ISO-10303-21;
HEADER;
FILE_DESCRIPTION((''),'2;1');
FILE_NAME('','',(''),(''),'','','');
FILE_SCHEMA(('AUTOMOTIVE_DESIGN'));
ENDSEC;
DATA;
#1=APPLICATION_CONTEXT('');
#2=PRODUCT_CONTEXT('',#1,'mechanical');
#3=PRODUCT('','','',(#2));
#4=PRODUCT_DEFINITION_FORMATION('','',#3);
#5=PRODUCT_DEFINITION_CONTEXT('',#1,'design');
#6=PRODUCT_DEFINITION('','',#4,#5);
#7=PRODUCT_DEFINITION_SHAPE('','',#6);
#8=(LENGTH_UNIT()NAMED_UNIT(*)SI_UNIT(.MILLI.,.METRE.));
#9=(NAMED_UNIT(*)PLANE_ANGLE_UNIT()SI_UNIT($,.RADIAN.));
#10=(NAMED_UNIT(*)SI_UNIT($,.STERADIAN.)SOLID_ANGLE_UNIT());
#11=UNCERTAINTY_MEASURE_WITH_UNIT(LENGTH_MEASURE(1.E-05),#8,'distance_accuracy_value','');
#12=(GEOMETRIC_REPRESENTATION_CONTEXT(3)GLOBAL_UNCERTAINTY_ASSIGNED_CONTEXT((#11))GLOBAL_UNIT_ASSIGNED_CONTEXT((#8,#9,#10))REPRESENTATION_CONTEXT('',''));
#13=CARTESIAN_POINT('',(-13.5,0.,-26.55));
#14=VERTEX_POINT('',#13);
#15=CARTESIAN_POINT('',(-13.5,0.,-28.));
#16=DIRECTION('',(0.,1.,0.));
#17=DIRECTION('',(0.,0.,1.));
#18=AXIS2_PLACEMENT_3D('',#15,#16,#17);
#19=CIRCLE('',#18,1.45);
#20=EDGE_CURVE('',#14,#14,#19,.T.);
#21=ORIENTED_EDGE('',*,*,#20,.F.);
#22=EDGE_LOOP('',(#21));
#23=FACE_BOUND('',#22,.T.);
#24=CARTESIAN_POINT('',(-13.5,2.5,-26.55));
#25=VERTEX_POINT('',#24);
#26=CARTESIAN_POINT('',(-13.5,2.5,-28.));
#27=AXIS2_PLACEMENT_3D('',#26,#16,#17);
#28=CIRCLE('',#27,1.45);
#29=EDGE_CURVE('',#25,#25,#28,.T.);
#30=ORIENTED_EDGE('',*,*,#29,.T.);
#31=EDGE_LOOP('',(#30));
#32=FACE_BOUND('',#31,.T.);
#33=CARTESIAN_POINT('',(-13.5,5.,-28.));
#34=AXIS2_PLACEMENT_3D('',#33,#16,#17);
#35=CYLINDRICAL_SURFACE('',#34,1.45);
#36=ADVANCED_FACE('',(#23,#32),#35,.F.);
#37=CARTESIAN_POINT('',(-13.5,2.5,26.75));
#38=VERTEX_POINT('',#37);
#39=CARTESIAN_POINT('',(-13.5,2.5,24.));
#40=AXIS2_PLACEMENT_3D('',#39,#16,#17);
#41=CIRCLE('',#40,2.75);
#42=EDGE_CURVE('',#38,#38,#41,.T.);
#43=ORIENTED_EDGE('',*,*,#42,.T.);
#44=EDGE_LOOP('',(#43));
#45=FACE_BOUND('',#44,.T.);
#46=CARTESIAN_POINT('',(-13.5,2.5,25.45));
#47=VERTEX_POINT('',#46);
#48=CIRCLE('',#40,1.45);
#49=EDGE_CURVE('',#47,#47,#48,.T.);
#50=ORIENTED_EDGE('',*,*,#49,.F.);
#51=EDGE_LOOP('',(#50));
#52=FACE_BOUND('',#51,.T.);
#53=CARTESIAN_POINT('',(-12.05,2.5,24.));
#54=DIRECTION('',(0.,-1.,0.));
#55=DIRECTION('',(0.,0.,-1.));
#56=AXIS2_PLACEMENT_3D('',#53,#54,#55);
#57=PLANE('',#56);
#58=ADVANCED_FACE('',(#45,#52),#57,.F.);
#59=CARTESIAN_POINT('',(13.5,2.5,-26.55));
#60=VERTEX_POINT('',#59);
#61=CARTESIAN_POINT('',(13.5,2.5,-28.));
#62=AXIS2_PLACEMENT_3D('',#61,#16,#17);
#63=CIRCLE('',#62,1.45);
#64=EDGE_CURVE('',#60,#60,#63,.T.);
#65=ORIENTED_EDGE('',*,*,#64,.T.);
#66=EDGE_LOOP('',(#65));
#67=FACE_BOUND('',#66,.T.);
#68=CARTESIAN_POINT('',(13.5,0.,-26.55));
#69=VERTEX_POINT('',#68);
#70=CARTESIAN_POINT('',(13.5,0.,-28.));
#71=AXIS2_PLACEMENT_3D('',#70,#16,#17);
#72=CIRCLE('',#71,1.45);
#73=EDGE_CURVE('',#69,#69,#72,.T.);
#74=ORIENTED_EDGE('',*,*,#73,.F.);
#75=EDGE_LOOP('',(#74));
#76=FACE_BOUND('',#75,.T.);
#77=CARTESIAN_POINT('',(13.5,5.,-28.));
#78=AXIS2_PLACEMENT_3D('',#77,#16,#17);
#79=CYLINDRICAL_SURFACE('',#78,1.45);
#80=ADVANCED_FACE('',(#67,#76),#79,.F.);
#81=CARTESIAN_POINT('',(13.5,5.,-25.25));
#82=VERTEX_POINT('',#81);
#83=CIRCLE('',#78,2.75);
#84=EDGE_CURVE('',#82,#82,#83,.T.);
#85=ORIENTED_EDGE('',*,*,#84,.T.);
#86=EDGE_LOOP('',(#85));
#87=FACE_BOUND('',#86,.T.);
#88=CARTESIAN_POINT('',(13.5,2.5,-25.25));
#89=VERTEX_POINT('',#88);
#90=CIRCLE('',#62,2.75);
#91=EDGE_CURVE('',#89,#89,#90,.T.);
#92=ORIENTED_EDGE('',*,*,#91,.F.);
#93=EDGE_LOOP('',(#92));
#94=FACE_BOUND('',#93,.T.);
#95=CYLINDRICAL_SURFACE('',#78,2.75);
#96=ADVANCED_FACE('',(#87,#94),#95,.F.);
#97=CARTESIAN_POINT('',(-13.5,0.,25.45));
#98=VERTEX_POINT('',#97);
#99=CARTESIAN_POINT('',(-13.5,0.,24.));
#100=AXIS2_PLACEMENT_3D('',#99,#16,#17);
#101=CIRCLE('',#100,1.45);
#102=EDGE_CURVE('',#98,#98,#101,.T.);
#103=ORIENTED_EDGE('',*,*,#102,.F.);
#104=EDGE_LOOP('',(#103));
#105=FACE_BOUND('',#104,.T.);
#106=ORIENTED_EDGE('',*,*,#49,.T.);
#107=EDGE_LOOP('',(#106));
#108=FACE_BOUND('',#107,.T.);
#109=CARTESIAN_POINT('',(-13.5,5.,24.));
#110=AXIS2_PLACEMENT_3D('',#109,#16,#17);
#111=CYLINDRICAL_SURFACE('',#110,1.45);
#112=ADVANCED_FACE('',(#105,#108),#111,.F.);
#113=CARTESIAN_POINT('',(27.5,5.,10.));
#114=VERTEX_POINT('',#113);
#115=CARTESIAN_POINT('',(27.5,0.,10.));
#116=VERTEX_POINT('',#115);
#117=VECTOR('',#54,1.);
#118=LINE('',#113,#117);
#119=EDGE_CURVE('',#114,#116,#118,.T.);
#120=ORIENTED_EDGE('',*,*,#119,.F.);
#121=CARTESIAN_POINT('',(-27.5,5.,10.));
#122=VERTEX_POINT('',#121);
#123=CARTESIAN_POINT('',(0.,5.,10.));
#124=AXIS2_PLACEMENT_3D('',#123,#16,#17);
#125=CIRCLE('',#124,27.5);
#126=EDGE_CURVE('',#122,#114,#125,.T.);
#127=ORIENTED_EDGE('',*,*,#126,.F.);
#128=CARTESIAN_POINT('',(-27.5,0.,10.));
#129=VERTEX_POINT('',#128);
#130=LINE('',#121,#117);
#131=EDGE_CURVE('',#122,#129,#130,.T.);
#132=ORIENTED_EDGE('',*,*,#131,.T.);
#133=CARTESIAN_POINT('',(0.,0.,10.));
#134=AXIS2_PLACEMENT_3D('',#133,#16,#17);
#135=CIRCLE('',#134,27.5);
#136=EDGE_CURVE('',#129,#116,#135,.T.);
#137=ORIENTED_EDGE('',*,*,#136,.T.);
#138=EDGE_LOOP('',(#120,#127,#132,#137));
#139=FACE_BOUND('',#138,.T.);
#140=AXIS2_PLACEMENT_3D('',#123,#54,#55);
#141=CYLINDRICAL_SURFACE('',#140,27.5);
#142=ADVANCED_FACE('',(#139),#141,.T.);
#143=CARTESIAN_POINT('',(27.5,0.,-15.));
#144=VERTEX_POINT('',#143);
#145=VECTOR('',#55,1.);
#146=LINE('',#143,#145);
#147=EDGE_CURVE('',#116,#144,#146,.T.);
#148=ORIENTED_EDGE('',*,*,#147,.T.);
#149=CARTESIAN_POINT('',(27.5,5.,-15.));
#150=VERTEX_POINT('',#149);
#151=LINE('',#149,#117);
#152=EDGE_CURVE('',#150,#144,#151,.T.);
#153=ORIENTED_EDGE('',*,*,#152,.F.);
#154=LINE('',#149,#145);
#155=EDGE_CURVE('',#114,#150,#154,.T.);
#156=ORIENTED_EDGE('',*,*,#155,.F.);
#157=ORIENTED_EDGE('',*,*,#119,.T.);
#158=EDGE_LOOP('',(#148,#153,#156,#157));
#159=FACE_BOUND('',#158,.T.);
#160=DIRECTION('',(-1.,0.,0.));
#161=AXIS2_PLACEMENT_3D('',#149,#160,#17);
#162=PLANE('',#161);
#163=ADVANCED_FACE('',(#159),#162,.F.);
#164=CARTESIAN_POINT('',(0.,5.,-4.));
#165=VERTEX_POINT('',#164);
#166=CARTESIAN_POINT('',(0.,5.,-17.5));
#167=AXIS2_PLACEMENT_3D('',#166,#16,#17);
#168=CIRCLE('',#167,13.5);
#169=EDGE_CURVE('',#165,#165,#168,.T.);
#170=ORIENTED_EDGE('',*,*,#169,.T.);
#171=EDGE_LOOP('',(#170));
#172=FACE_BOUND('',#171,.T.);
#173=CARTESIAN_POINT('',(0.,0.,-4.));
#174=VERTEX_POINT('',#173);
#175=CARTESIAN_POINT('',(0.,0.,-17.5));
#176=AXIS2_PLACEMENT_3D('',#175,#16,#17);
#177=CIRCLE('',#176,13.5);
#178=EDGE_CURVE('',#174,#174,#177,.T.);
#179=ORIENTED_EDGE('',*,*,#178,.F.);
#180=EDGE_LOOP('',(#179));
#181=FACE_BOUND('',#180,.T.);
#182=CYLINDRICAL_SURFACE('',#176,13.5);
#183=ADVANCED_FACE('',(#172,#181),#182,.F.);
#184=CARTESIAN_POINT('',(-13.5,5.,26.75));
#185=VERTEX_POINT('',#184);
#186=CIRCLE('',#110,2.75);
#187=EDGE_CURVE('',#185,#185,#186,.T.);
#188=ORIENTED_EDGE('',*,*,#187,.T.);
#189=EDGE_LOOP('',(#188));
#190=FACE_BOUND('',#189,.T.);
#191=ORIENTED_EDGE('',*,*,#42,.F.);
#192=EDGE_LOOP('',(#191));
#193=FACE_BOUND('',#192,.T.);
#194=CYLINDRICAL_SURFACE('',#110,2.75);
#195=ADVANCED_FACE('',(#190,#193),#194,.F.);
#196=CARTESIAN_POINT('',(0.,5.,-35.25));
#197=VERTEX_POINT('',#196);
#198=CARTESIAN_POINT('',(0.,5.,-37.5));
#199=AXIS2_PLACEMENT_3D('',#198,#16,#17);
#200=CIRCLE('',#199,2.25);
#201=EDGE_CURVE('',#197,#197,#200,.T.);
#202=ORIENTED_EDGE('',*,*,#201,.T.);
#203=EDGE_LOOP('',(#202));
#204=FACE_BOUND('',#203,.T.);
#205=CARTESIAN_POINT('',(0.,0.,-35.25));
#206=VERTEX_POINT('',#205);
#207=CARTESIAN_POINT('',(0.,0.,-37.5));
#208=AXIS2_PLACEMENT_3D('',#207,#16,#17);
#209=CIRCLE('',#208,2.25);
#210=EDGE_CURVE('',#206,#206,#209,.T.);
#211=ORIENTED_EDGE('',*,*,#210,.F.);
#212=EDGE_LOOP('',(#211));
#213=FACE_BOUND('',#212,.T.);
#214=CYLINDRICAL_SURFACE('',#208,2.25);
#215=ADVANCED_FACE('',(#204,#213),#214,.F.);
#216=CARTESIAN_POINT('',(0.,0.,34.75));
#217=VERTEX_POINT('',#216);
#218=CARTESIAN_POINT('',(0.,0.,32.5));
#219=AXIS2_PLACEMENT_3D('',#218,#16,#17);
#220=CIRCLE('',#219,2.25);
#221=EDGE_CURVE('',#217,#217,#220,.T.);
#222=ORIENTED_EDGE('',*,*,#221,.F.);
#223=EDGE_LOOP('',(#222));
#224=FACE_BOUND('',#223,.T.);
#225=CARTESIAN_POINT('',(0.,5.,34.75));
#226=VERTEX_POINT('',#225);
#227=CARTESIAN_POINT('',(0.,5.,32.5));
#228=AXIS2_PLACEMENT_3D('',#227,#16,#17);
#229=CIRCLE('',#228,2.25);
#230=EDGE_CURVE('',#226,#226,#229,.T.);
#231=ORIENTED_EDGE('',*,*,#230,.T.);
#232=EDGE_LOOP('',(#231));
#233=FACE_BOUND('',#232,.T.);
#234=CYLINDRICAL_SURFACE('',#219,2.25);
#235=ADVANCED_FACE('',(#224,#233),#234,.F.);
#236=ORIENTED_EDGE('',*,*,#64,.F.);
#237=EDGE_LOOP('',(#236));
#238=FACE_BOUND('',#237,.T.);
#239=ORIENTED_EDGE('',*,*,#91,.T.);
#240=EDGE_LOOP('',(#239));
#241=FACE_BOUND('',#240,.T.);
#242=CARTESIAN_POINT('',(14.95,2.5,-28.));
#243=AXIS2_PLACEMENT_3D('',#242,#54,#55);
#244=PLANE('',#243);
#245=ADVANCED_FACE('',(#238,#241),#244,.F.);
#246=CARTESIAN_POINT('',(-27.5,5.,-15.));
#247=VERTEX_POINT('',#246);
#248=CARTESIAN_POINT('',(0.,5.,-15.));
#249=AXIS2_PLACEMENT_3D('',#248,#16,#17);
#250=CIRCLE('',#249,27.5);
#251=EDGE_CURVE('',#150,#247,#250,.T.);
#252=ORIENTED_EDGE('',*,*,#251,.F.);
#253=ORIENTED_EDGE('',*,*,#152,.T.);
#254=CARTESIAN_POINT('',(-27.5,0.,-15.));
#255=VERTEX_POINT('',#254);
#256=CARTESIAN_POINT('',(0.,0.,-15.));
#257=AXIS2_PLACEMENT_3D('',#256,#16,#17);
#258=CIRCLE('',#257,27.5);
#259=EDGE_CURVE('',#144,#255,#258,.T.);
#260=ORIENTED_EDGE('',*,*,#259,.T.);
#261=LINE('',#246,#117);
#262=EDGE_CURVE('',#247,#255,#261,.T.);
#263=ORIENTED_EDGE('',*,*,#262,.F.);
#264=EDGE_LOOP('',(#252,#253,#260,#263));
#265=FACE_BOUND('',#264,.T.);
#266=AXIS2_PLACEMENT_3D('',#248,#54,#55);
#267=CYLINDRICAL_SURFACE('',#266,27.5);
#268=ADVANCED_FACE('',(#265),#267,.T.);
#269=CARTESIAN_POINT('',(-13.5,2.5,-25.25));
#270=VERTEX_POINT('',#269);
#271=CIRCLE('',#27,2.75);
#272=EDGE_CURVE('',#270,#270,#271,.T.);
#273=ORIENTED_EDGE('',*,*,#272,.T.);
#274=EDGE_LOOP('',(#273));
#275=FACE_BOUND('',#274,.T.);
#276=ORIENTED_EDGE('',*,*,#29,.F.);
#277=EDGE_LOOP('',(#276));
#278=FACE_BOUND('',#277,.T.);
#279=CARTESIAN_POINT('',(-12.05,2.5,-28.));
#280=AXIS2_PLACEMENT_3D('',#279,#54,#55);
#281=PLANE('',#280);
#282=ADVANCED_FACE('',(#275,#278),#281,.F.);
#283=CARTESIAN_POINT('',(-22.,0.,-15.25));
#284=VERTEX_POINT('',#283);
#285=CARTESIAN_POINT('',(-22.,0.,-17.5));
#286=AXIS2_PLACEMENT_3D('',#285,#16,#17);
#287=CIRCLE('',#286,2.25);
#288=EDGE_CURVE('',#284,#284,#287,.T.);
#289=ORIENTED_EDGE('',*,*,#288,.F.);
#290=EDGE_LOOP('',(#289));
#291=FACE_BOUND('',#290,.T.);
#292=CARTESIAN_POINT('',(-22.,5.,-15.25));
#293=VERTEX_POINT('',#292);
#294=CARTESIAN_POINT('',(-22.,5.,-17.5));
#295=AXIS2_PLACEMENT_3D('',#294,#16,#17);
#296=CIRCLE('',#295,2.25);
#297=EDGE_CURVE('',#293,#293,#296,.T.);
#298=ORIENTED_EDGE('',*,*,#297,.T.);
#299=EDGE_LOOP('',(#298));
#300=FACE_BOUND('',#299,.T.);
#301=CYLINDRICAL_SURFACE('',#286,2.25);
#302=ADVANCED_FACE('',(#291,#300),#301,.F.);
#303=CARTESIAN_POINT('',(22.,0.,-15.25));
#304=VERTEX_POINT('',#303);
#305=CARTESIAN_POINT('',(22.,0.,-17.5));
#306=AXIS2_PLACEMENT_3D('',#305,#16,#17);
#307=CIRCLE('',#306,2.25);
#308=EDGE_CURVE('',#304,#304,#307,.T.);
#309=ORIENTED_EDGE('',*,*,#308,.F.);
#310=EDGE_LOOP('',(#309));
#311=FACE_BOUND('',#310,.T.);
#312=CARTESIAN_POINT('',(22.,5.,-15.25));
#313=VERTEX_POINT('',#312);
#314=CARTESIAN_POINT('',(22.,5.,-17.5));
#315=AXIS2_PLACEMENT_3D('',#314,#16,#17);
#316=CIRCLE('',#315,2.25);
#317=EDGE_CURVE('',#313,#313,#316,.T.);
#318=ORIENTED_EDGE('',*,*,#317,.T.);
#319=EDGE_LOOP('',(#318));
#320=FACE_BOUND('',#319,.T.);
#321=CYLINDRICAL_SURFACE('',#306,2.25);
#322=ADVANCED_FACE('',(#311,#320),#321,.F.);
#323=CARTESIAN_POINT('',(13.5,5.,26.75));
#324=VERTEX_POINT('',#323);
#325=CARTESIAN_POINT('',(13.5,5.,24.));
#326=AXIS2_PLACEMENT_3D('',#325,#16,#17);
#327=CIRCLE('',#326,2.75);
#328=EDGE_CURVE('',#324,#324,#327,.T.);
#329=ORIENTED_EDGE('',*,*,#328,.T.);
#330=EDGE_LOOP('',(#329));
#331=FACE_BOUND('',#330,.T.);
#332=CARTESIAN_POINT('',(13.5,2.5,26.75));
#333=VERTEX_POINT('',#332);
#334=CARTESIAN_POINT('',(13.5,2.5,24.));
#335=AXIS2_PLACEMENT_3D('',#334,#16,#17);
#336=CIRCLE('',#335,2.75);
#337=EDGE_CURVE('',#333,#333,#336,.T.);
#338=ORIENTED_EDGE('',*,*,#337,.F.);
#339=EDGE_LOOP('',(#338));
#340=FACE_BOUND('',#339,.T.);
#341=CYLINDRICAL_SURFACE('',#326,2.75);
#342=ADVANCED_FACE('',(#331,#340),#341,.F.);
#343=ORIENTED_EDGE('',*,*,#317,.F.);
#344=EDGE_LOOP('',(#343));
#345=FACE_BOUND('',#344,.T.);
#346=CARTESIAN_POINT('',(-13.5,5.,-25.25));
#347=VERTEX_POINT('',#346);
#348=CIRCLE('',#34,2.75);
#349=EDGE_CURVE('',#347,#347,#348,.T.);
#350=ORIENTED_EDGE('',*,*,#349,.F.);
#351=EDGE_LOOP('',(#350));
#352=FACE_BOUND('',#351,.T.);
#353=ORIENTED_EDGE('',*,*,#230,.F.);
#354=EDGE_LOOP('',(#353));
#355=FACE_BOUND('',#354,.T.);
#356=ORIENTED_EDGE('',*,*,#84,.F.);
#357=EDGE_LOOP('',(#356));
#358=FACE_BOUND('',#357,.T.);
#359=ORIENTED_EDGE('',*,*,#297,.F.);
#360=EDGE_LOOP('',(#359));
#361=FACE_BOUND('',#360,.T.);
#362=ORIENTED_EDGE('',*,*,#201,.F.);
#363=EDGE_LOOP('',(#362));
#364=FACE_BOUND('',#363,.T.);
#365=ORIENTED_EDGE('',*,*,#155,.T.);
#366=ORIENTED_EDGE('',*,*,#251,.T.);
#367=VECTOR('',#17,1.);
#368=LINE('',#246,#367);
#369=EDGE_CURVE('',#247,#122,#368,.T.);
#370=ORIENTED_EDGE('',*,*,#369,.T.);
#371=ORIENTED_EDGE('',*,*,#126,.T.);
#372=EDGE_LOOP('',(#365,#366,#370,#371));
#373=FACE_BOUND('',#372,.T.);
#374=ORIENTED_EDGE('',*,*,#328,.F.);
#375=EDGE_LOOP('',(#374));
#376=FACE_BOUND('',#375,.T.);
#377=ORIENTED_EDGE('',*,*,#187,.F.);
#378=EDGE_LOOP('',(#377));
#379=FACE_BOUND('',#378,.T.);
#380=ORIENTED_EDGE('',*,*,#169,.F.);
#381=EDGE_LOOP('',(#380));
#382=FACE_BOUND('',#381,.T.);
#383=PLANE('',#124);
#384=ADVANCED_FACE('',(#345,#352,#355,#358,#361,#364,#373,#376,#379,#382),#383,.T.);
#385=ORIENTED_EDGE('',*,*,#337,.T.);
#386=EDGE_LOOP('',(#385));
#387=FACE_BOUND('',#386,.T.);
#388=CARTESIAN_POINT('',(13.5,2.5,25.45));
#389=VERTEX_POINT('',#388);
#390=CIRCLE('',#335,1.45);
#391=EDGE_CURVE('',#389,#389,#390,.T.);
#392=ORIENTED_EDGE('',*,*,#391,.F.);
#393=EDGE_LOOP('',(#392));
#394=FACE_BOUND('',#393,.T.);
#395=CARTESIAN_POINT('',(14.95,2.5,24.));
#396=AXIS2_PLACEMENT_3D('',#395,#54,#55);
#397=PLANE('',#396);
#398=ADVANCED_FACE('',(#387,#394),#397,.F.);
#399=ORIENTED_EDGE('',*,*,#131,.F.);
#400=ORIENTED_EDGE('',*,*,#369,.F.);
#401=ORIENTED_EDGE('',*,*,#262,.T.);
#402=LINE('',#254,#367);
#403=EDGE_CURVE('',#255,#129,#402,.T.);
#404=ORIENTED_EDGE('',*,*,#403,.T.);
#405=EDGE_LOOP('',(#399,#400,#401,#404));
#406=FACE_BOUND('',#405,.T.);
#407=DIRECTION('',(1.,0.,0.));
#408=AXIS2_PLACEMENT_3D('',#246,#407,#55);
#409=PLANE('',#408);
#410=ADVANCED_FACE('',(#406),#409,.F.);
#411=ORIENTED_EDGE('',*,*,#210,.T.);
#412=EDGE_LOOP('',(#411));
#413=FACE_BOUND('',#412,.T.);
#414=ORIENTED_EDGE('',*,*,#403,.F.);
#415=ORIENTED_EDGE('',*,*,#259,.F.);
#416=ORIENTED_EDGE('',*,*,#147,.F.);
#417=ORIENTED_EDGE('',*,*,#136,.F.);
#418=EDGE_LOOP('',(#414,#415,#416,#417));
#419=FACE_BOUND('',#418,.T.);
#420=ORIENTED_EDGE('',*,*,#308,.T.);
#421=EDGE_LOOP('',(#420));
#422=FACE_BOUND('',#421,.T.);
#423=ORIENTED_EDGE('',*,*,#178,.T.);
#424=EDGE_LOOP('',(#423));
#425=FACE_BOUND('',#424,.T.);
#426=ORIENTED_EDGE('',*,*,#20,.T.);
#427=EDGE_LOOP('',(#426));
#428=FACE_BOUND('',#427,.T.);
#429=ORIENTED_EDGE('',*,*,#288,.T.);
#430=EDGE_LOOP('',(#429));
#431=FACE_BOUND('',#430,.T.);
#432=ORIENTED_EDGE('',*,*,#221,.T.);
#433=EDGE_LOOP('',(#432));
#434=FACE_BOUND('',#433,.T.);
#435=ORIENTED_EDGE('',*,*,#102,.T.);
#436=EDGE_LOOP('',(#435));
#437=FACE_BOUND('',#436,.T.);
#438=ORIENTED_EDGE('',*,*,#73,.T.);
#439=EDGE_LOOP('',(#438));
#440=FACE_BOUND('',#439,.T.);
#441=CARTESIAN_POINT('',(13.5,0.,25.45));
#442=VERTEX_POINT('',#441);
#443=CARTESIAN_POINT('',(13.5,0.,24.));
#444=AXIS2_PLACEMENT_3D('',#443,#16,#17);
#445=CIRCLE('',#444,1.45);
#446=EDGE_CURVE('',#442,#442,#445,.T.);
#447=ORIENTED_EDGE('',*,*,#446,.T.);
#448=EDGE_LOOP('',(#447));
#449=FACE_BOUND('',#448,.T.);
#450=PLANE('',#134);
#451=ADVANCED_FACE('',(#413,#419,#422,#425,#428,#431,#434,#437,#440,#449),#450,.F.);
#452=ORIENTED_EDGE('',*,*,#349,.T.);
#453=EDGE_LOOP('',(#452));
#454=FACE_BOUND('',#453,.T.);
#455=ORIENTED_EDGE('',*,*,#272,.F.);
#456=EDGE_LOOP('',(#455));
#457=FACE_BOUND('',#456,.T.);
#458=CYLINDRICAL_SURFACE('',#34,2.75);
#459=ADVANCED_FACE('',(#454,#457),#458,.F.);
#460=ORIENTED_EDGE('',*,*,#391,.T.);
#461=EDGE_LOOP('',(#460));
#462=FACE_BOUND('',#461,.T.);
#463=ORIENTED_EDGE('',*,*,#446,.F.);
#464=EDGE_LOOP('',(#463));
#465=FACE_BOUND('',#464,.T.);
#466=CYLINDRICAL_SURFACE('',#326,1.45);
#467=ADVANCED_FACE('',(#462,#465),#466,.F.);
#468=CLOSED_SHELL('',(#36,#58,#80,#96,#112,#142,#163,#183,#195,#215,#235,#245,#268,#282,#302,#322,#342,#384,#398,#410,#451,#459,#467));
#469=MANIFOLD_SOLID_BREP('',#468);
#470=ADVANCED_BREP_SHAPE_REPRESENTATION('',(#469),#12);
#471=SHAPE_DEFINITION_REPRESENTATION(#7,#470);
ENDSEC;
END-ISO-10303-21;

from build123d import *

# Parameters (mm, degrees)
EXTRUDE_1_DEPTH                = 5
SKETCH_2_R                     = 13.5
CUT_EXTRUDE_1_DEPTH            = 5
SKETCH_4_R                     = 2.25
CUT_EXTRUDE_2_DEPTH            = 5
HOLE_WIZARD_M2_5_1_D           = 2.9
HOLE_WIZARD_M2_5_1_CBORE_D     = 5.5
HOLE_WIZARD_M2_5_1_CBORE_DEPTH = 2.5


with BuildPart() as part:
    # 스케치1 → 보스-돌출1 (new body)
    with BuildSketch(Plane(origin=(0, 0, 0), x_dir=(1, 0, 0), z_dir=(0, 1, 0))):
        with BuildLine():
            Line((-27.5, 15), (-27.5, -10))
            ThreePointArc((-27.5, -10), (0, -37.5), (27.5, -10))
            Line((27.5, -10), (27.5, 15))
            ThreePointArc((27.5, 15), (0, 42.5), (-27.5, 15))
        make_face()
    extrude(amount=EXTRUDE_1_DEPTH)

    # 스케치2 → 컷-돌출1 (cut)
    with BuildSketch(Plane(origin=(0, 5, 0), x_dir=(1, 0, 0), z_dir=(0, 1, 0))):
        with Locations((0, 17.5)):
            Circle(SKETCH_2_R)
    extrude(amount=-CUT_EXTRUDE_1_DEPTH, mode=Mode.SUBTRACT)

    # 스케치4 → 컷-돌출2 (cut)
    with BuildSketch(Plane(origin=(0, 5, 0), x_dir=(1, 0, 0), z_dir=(0, 1, 0))):
        with Locations((0, 37.5)):
            Circle(SKETCH_4_R)
        with Locations((0, -32.5)):
            Circle(SKETCH_4_R)
        with Locations((-22, 17.5)):
            Circle(SKETCH_4_R)
        with Locations((22, 17.5)):
            Circle(SKETCH_4_R)
    extrude(amount=-CUT_EXTRUDE_2_DEPTH, mode=Mode.SUBTRACT)

    # M2.5 소켓 머리 캡 나사용 카운터보어1 (through all)
    with Locations(Plane(origin=(0, 5, 0), x_dir=(1, 0, 0), z_dir=(0, 1, 0))):
        with Locations((-13.5, 28), (13.5, 28), (13.5, -24), (-13.5, -24)):
            CounterBoreHole(HOLE_WIZARD_M2_5_1_D / 2, HOLE_WIZARD_M2_5_1_CBORE_D / 2, HOLE_WIZARD_M2_5_1_CBORE_DEPTH)


solid = part.part
